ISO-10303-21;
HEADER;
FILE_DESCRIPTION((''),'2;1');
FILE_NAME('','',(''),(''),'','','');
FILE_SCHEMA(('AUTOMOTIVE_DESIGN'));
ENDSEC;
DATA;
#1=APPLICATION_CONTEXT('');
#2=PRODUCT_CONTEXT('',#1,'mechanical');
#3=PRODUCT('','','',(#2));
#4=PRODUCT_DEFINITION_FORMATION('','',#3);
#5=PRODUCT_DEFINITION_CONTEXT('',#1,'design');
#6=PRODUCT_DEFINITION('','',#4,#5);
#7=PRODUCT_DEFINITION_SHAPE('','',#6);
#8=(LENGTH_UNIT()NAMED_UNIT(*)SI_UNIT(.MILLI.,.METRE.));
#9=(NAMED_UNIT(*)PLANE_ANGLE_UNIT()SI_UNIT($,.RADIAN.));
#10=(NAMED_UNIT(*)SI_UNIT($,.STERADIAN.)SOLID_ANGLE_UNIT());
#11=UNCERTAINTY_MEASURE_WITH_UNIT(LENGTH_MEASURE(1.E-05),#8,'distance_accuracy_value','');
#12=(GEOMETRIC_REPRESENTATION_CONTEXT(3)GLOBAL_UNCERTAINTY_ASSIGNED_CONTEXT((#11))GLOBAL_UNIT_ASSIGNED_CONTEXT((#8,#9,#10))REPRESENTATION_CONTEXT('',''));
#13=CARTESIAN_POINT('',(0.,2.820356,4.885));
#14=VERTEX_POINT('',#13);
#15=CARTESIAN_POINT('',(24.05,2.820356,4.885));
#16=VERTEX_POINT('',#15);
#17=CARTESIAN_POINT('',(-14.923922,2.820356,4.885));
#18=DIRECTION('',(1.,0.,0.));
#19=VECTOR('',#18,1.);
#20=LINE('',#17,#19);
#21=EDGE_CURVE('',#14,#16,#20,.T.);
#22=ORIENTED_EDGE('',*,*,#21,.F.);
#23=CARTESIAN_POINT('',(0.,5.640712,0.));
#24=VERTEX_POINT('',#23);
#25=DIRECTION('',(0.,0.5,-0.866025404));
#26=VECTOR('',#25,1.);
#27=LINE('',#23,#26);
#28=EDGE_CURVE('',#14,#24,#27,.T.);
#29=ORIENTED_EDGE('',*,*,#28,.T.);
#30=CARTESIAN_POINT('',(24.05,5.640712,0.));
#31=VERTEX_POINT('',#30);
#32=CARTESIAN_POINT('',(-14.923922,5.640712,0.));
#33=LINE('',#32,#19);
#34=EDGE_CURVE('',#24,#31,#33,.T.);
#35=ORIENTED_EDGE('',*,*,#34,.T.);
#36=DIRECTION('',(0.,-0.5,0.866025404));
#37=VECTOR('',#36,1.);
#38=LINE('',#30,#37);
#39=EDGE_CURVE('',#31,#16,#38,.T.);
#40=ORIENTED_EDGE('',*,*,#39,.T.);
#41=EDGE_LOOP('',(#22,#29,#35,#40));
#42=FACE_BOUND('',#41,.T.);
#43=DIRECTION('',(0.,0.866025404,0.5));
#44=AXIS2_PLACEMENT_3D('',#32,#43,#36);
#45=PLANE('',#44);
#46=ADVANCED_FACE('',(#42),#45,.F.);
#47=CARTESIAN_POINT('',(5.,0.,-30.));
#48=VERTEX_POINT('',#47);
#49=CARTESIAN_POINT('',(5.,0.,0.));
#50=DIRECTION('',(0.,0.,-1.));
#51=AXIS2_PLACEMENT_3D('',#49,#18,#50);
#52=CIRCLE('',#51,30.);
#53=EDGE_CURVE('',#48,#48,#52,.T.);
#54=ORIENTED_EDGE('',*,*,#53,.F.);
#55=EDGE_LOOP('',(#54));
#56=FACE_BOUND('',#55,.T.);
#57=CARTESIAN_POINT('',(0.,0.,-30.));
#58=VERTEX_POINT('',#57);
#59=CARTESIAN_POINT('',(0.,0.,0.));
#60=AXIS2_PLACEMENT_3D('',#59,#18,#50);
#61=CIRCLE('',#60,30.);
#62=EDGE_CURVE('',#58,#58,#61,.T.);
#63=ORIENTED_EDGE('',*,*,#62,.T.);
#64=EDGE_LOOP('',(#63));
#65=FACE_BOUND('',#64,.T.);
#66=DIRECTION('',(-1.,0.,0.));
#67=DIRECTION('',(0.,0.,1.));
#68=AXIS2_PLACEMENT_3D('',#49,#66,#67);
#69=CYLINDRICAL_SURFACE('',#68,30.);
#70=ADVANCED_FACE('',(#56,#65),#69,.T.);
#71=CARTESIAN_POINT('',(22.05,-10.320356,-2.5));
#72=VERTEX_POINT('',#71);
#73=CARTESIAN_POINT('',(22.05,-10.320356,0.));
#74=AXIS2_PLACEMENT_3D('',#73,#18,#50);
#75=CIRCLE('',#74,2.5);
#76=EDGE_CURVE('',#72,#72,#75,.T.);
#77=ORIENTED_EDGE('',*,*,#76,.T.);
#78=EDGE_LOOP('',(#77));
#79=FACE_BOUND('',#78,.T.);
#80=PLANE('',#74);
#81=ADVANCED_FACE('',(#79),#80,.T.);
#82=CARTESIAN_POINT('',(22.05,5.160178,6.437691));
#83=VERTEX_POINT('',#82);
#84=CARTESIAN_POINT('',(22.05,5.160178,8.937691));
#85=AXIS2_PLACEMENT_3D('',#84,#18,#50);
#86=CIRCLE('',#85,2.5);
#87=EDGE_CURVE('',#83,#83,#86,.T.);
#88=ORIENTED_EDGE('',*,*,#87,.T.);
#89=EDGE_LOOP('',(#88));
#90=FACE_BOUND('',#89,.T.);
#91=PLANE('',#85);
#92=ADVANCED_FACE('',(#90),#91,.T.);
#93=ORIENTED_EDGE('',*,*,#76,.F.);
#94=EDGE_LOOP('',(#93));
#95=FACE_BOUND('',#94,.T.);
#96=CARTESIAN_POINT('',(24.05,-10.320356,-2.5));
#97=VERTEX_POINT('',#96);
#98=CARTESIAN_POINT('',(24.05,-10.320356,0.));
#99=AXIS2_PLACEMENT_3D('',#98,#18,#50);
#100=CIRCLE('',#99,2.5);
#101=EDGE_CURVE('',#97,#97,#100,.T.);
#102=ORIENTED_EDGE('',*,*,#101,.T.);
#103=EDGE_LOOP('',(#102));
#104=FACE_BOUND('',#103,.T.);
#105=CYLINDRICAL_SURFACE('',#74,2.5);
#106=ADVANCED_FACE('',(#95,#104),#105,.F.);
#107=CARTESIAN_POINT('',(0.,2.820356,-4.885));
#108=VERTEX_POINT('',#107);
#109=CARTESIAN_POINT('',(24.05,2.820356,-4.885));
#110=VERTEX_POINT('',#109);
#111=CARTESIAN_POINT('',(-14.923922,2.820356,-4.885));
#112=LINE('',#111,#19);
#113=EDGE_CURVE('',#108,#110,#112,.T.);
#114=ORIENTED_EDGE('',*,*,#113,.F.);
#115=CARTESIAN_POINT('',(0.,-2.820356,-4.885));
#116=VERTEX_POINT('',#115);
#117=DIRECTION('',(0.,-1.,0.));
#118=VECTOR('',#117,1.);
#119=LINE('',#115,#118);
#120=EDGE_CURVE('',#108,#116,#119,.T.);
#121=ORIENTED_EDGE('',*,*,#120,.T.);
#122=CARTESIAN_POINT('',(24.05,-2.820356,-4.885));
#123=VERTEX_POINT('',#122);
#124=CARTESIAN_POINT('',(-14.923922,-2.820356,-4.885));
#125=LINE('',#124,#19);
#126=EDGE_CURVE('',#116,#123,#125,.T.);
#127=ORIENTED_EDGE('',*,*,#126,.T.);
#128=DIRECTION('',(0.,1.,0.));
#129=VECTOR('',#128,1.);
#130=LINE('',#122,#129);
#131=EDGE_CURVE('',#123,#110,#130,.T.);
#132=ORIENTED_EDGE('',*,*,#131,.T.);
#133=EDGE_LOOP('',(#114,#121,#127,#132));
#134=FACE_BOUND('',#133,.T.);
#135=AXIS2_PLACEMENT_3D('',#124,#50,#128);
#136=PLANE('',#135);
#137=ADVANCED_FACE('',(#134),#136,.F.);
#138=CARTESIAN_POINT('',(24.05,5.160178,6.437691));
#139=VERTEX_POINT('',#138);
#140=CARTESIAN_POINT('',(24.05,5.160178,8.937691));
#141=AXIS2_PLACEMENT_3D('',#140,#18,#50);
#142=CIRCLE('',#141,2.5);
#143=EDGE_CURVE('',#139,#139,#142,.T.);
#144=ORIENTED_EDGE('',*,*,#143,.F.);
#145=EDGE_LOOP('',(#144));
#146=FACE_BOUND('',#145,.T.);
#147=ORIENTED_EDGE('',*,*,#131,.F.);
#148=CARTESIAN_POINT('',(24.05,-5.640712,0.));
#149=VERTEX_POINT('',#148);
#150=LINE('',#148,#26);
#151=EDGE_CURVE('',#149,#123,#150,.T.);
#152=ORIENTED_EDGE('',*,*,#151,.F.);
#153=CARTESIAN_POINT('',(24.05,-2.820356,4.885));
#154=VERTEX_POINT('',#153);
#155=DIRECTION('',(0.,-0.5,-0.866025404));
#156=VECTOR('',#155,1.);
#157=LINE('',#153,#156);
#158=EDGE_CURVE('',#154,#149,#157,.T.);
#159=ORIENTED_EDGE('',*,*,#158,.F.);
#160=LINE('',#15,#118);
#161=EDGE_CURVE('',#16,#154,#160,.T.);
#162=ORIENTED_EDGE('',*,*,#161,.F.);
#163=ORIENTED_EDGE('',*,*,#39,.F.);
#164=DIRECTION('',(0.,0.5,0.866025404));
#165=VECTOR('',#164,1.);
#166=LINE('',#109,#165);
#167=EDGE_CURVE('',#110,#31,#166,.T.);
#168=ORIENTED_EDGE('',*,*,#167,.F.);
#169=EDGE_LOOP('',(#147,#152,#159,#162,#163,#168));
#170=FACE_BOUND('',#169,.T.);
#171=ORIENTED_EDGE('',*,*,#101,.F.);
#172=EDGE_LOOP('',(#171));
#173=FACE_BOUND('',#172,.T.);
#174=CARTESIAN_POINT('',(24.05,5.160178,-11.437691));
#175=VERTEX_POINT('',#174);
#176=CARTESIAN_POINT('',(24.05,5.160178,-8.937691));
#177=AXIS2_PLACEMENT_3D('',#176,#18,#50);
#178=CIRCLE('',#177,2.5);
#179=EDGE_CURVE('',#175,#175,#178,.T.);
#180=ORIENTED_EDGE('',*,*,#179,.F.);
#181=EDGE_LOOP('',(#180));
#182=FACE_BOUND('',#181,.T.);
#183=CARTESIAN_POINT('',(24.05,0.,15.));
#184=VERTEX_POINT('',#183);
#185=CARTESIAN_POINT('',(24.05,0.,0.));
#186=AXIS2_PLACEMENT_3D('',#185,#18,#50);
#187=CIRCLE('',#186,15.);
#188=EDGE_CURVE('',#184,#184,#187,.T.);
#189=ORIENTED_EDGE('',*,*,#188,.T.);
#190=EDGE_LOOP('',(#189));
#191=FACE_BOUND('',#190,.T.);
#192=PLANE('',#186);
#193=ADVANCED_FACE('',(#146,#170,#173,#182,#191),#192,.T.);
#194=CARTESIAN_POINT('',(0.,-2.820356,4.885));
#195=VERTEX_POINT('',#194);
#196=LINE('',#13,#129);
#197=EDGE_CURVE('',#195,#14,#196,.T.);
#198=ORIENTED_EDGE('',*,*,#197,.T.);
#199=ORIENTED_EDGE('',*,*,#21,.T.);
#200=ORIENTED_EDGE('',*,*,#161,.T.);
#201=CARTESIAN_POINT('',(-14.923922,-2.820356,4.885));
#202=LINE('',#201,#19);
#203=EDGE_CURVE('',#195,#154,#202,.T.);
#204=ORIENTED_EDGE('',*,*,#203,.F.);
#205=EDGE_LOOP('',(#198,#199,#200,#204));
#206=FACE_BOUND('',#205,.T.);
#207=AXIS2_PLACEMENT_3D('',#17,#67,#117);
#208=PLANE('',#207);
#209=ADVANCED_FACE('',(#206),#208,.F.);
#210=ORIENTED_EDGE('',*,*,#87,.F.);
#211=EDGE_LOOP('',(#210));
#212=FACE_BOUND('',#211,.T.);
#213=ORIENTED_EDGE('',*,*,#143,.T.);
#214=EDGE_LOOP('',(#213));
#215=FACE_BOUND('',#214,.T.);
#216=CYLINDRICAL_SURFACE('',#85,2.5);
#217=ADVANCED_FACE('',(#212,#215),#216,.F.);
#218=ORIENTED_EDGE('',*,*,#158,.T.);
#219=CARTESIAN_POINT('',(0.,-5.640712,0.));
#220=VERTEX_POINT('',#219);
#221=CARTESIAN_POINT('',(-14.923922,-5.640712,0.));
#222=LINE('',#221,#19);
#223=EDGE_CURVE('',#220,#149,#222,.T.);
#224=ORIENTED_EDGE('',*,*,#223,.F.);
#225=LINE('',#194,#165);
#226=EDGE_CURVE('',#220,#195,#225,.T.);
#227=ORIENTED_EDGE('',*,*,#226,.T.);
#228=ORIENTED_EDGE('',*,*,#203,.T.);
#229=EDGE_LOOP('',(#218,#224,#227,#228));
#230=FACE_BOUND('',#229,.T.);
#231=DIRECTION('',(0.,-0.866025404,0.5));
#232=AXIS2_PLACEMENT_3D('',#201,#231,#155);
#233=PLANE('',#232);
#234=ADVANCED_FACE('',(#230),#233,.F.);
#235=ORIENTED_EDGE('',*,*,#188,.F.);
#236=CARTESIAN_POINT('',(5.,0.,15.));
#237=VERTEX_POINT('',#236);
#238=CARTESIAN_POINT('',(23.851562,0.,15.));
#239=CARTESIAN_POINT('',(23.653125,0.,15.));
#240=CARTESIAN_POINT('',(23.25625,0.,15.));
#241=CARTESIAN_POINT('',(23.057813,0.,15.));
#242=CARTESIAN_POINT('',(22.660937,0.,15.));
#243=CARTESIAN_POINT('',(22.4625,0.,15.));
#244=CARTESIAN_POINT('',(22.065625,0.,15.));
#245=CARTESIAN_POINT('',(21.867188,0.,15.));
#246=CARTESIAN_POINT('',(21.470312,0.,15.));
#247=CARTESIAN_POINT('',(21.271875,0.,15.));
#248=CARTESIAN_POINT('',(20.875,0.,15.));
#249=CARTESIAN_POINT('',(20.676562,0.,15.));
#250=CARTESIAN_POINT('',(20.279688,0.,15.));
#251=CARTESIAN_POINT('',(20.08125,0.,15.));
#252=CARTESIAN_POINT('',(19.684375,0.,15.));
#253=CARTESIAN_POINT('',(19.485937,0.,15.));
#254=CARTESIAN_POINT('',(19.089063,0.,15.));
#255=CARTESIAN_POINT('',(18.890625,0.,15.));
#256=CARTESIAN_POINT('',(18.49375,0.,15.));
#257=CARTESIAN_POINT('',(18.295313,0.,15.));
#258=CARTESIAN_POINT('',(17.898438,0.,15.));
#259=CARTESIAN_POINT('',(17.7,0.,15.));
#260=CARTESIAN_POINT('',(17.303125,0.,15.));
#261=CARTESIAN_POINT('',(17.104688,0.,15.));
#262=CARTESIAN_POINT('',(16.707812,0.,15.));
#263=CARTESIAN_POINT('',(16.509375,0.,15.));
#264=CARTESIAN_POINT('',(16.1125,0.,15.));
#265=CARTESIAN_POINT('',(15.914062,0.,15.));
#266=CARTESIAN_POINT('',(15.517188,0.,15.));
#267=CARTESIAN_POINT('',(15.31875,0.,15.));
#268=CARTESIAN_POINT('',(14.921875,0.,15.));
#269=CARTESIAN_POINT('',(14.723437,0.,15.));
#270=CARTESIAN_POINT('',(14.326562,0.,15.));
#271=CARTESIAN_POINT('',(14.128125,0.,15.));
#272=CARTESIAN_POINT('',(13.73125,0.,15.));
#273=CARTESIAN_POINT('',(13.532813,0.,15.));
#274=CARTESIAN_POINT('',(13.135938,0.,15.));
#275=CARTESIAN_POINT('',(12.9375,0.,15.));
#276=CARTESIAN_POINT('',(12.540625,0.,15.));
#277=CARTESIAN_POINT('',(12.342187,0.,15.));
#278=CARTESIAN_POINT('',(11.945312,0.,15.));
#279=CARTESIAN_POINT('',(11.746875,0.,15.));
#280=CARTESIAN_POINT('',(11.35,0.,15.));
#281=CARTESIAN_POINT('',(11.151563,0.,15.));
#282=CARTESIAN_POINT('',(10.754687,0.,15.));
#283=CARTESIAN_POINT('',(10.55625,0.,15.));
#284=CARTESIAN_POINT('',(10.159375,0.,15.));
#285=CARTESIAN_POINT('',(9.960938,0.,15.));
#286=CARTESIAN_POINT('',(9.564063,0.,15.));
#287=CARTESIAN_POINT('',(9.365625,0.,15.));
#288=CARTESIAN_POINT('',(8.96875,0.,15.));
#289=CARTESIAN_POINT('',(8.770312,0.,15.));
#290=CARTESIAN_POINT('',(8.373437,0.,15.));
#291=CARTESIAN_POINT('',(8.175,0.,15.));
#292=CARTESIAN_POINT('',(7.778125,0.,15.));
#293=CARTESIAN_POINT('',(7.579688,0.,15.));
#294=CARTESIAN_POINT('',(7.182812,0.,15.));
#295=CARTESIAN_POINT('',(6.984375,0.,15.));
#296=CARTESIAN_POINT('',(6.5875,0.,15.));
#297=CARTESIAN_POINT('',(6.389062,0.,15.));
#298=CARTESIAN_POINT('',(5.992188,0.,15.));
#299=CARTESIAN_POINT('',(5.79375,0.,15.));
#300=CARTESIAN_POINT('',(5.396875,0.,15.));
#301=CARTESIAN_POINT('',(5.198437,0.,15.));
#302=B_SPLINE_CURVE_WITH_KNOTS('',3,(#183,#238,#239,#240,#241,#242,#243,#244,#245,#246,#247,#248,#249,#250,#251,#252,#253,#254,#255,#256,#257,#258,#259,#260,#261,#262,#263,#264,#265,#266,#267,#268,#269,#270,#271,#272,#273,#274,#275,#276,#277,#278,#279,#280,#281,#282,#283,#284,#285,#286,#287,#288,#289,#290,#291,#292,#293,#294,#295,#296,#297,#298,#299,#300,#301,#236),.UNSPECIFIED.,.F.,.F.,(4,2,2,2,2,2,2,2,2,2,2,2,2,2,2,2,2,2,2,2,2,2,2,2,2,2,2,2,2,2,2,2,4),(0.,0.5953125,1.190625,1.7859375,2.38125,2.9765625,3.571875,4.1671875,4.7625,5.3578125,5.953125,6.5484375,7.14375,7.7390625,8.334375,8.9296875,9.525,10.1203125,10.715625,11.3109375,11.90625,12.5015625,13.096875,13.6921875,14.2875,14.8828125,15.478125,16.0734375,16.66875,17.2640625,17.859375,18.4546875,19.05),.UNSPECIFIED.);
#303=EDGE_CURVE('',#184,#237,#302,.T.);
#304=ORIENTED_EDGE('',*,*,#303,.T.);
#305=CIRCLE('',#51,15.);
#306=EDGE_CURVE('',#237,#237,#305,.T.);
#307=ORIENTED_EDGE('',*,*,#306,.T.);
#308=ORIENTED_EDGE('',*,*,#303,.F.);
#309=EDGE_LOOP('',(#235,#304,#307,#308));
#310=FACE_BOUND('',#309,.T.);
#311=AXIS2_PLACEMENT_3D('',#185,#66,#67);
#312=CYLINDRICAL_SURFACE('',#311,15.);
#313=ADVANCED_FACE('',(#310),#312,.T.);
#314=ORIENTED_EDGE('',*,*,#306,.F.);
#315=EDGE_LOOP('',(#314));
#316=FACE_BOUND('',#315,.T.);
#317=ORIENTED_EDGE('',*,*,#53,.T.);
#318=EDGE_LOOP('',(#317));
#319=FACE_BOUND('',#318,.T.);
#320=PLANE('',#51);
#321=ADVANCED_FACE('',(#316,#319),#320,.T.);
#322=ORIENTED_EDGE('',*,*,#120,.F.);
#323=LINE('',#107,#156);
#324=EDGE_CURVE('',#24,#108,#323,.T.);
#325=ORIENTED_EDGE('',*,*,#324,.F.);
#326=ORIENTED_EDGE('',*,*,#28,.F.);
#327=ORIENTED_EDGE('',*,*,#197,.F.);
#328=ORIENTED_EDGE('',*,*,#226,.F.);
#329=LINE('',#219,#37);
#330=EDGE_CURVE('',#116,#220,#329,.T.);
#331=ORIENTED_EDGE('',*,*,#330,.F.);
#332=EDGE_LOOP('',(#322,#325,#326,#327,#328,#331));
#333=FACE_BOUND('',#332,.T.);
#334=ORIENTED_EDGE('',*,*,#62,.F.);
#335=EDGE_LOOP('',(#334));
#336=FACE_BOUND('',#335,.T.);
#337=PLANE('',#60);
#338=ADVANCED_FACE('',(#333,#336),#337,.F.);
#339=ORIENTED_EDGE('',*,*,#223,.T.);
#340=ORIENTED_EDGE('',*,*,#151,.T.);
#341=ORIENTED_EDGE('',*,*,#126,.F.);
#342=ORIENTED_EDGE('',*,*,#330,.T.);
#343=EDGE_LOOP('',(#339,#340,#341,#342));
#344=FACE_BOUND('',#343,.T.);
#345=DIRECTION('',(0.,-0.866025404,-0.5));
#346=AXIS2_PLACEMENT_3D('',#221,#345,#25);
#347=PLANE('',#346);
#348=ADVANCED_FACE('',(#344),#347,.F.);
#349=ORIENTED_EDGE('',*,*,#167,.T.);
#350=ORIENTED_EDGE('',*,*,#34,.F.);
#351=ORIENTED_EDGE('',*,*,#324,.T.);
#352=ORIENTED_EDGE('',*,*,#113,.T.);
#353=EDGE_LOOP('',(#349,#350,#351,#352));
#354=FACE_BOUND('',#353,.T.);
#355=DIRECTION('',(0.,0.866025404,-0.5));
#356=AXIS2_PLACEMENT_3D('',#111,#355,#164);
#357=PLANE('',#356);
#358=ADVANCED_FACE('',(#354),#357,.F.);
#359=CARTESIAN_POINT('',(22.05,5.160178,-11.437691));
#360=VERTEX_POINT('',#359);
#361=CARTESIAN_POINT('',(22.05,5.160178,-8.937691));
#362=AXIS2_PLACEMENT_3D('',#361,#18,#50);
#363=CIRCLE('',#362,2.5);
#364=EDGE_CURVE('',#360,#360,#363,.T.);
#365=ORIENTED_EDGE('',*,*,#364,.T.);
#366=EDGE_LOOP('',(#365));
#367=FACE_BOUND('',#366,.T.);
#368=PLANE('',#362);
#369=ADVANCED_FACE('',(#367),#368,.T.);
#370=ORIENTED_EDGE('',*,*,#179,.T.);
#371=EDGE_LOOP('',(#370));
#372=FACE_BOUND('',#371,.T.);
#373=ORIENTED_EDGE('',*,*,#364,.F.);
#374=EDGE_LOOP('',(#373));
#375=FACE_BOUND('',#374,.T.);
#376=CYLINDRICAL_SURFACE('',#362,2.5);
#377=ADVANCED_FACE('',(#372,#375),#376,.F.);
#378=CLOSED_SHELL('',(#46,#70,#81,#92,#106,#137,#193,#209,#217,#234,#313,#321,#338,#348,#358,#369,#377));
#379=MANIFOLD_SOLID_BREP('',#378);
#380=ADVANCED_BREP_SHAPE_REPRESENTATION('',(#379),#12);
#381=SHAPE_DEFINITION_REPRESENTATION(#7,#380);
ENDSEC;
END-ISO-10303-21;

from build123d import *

# Parameters (mm, degrees)
SKETCH2_R           = 30
BOSS_EXTRUDE1_DEPTH = 5
SKETCH3_R           = 15
BOSS_EXTRUDE2_DEPTH = 19.05
CUT_EXTRUDE1_DEPTH  = 24.05
SKETCH5_R           = 2.5
CUT_EXTRUDE2_DEPTH  = 2


with BuildPart() as part:
    # Sketch2 → Boss-Extrude1 (new body)
    with BuildSketch(Plane(origin=(0, 0, 0), x_dir=(0, 0, -1), z_dir=(1, 0, 0))):
        Circle(SKETCH2_R)
    extrude(amount=BOSS_EXTRUDE1_DEPTH)

    # Sketch3 → Boss-Extrude2 (add)
    with BuildSketch(Plane(origin=(5, 0, 0), x_dir=(0, 0, -1), z_dir=(1, 0, 0))):
        with Locations(Location((0, 0, 0), (0, 0, 180))):
            Circle(SKETCH3_R)
    extrude(amount=BOSS_EXTRUDE2_DEPTH)

    # Sketch4 → Cut-Extrude1 (cut)
    with BuildSketch(Plane(origin=(24.05, 0, 0), x_dir=(0, 0, -1), z_dir=(1, 0, 0))):
        Polygon((0, 5.64071213), (-4.885, 2.820356065), (-4.885, -2.820356065), (0, -5.64071213), (4.885, -2.820356065), (4.885, 2.820356065), align=None)
    extrude(amount=-CUT_EXTRUDE1_DEPTH, mode=Mode.SUBTRACT)

    # Sketch5 → Cut-Extrude2 (cut)
    with BuildSketch(Plane(origin=(24.05, 0, 0), x_dir=(0, 0, -1), z_dir=(1, 0, 0))):
        with Locations((8.937690528, 5.160178032)):
            Circle(SKETCH5_R)
        with Locations((-8.937690528, 5.160178032)):
            Circle(SKETCH5_R)
        with Locations((0, -10.320356065)):
            Circle(SKETCH5_R)
    extrude(amount=-CUT_EXTRUDE2_DEPTH, mode=Mode.SUBTRACT)


solid = part.part
